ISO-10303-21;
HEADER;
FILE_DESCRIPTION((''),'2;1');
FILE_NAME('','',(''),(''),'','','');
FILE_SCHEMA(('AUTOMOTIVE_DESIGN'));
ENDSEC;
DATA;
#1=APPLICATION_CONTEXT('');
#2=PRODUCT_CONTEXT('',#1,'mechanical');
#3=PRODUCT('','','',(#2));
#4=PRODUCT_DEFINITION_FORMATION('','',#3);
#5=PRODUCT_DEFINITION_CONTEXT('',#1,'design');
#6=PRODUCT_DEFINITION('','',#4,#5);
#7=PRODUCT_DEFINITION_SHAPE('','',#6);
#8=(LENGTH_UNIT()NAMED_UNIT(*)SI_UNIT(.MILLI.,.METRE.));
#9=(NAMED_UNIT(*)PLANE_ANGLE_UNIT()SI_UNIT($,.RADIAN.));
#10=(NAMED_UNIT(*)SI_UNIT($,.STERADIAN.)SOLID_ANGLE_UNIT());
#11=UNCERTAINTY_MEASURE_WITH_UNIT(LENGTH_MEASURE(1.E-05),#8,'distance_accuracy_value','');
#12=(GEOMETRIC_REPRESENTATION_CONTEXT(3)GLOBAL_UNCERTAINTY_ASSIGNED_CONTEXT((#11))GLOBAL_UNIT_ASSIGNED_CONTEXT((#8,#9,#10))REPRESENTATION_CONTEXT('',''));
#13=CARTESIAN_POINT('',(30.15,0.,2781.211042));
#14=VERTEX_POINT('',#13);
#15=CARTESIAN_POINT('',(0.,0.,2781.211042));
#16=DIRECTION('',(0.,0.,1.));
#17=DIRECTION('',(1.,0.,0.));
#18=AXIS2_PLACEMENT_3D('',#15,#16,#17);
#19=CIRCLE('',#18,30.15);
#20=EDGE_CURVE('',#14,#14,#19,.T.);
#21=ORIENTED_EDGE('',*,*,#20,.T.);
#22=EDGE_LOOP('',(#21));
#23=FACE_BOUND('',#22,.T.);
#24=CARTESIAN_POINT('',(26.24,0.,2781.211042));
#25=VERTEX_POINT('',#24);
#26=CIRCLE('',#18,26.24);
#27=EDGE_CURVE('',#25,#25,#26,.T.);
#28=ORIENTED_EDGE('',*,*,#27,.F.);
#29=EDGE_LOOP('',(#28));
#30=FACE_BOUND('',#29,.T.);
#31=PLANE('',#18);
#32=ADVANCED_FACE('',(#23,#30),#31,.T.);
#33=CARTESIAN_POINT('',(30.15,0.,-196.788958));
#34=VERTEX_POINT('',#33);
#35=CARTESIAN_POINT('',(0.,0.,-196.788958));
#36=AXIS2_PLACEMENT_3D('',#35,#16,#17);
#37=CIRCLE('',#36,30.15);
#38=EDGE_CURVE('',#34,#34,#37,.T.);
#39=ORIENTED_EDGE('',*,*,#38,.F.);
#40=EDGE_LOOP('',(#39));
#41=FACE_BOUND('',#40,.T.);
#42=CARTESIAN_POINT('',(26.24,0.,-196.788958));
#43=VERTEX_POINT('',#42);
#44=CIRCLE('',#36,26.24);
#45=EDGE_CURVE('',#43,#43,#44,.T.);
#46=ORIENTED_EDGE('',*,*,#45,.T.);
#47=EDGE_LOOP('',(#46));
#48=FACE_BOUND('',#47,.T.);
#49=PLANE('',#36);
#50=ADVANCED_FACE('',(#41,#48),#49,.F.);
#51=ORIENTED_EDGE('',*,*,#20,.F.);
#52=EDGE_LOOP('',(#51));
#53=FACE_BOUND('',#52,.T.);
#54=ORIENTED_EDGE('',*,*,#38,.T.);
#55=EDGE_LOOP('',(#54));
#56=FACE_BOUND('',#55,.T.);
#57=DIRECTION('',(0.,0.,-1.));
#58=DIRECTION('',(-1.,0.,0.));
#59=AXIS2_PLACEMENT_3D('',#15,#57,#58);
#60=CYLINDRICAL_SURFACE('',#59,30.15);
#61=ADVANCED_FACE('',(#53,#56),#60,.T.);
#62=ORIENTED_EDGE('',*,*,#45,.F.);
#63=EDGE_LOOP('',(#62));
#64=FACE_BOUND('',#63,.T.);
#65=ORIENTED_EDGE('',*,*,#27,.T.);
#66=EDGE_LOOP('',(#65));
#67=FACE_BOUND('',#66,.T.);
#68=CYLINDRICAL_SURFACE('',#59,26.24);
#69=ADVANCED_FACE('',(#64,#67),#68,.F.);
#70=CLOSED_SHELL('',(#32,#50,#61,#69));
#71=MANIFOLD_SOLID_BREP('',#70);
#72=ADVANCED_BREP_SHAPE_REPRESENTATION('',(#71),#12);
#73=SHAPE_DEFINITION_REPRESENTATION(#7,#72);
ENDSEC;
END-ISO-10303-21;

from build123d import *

# Parameters (mm, degrees)
EXTRUDE_START        = -196.788957724
EXTRUDE_SKETCH_1_R   = 30.15
EXTRUDE_SKETCH_1_R_2 = 26.24
EXTRUDE_1_DEPTH      = 2978


with BuildPart() as part:
    # Extrude sketch 1 → Extrude 1 (new body)
    with BuildSketch(Plane.XY.offset(EXTRUDE_START)):
        Circle(EXTRUDE_SKETCH_1_R)
        Circle(EXTRUDE_SKETCH_1_R_2, mode=Mode.SUBTRACT)
    extrude(amount=EXTRUDE_1_DEPTH)


solid = part.part
